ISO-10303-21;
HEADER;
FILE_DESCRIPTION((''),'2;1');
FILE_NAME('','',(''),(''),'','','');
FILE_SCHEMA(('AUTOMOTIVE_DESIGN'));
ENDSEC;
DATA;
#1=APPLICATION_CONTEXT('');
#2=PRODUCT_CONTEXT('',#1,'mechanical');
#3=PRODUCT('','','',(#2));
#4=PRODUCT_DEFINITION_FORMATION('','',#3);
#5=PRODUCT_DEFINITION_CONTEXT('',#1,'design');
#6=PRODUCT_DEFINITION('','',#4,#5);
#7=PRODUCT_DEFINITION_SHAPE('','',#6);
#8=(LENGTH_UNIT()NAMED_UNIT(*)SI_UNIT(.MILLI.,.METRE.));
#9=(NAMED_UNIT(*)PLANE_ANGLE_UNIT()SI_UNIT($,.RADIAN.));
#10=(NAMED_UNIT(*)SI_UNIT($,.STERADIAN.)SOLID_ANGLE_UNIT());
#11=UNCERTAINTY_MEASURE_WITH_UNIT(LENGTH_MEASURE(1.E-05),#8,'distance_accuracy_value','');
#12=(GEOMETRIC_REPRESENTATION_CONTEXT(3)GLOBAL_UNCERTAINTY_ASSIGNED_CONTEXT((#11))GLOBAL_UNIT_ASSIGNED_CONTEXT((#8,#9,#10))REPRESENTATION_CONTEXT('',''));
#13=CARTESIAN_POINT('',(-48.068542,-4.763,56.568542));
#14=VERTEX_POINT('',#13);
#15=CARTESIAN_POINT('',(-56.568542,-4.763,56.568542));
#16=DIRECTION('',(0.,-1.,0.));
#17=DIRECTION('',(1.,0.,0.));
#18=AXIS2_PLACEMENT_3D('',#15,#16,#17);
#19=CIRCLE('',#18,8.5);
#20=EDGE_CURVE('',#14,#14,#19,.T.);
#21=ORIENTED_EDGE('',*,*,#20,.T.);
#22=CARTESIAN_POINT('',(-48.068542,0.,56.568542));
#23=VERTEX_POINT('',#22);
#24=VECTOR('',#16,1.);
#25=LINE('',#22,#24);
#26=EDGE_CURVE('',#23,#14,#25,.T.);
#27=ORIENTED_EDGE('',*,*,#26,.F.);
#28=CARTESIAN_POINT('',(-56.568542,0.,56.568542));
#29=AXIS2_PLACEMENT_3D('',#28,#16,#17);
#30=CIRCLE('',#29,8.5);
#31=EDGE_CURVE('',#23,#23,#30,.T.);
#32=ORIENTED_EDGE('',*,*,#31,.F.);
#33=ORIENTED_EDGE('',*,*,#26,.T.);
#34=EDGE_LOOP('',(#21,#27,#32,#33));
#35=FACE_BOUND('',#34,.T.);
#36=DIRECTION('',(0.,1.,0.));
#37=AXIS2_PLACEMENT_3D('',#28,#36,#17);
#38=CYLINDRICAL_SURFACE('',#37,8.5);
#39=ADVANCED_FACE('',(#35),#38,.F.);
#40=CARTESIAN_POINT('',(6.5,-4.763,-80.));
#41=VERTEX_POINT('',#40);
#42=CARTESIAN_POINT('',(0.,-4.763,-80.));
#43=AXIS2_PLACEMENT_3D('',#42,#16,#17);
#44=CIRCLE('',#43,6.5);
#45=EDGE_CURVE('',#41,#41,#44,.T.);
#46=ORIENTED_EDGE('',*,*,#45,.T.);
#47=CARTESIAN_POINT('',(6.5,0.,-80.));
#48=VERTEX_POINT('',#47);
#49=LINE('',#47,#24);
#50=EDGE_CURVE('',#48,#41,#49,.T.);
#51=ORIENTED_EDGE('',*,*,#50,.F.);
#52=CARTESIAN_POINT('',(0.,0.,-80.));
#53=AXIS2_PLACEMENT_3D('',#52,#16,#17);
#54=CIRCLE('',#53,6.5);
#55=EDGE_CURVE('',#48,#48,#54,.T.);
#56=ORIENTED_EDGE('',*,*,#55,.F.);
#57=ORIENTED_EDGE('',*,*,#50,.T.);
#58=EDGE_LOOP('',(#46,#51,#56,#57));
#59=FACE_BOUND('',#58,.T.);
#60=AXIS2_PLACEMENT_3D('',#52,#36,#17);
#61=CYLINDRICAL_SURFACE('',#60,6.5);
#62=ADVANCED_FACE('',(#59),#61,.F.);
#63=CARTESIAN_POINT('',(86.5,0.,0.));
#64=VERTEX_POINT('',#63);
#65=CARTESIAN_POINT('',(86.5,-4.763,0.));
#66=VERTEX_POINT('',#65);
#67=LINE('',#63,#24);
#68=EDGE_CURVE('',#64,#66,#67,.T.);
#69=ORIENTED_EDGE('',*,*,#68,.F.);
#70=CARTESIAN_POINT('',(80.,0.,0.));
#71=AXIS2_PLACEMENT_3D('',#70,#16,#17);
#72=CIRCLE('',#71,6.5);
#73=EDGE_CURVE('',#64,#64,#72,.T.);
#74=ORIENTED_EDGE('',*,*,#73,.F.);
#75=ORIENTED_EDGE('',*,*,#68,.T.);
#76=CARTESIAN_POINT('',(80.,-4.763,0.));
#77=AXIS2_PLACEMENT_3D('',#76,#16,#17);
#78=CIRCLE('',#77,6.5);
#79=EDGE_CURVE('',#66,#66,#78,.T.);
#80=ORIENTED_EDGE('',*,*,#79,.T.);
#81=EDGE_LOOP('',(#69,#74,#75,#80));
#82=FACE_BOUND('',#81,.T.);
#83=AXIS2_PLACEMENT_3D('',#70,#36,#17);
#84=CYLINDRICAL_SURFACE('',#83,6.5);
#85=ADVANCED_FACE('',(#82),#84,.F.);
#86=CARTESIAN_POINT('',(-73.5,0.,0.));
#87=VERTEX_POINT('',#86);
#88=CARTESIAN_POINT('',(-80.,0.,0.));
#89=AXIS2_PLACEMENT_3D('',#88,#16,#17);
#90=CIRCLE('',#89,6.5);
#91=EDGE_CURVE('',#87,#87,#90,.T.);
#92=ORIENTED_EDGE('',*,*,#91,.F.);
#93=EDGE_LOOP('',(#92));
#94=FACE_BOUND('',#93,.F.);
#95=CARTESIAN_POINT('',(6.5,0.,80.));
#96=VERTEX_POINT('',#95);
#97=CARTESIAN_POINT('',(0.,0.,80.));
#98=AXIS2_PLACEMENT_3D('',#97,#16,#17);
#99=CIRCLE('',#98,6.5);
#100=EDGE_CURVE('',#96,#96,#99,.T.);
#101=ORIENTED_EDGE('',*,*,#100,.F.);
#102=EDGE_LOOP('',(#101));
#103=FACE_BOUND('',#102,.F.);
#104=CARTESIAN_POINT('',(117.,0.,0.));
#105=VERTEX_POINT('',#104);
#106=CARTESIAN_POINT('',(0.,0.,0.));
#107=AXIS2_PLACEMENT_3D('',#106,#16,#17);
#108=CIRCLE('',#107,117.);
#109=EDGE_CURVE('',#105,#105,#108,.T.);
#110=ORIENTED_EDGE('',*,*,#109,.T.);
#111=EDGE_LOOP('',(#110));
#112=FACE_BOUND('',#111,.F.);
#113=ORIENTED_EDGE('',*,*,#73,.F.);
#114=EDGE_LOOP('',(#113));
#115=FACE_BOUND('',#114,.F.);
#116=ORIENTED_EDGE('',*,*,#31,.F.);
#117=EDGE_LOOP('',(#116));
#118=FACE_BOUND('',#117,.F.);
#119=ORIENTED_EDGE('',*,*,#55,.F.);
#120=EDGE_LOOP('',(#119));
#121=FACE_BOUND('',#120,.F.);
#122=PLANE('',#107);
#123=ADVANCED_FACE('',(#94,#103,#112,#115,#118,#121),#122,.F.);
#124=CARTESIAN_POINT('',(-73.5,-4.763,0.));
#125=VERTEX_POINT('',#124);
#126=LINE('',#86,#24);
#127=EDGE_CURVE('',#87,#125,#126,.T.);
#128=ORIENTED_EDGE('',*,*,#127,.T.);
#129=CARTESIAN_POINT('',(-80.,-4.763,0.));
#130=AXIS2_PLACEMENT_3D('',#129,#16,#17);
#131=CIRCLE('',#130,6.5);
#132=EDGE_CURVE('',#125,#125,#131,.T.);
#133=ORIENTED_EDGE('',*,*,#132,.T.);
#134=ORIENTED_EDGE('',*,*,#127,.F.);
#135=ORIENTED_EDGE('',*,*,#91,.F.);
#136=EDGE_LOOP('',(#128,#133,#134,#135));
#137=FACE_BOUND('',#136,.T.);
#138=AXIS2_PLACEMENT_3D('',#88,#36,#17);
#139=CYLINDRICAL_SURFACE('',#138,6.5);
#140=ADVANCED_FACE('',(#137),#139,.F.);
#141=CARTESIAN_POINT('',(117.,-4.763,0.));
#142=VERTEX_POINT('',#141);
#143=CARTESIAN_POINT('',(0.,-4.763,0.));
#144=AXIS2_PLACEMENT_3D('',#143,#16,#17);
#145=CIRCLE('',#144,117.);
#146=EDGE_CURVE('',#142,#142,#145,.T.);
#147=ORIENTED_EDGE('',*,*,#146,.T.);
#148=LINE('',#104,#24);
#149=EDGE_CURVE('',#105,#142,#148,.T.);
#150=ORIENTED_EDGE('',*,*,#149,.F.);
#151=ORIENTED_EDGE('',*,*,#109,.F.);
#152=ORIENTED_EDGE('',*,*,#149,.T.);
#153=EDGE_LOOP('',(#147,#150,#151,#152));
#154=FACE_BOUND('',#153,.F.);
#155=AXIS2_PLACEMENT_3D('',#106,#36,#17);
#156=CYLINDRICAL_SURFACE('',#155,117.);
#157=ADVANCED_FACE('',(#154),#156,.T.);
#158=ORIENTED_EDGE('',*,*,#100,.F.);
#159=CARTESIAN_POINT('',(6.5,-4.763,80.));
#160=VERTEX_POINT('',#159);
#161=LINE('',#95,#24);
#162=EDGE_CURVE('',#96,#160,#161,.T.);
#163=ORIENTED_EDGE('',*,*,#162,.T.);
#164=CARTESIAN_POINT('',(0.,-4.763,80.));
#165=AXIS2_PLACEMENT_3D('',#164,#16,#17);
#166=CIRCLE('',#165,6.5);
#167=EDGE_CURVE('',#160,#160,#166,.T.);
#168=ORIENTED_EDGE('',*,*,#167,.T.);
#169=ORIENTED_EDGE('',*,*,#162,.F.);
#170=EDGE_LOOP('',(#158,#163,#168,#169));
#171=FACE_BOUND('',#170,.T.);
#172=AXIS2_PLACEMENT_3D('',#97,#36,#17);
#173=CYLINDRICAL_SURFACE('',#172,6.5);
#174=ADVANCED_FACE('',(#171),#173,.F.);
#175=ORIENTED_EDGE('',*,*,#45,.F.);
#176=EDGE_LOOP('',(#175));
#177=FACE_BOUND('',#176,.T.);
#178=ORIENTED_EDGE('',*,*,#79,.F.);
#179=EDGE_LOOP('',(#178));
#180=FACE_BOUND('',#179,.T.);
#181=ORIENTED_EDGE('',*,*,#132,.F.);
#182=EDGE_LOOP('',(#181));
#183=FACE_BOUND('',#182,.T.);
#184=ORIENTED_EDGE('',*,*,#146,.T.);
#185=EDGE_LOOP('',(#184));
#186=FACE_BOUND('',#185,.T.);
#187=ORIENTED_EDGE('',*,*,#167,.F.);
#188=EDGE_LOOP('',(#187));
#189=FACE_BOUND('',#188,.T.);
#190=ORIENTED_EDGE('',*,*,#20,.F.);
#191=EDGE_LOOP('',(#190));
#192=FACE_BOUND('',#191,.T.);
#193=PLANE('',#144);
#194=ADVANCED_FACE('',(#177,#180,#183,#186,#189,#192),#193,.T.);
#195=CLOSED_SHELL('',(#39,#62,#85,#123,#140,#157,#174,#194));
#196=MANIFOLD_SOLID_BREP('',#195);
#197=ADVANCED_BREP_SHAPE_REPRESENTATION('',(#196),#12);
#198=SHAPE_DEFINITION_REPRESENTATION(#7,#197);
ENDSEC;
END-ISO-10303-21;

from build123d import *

# Parameters (mm, degrees)
F0_R     = 117
F0_R_2   = 6.5
F0_R_3   = 8.5
F1_DEPTH = 4.763


with BuildPart() as f1:
    # F0 (on Front) → F1 (new body)
    with BuildSketch(Plane.XZ):
        Circle(F0_R)
        with Locations((0, -80)):
            Circle(F0_R_2, mode=Mode.SUBTRACT)
        with Locations((-80, 0)):
            Circle(F0_R_2, mode=Mode.SUBTRACT)
        with Locations((-56.568542, 56.568542)):
            Circle(F0_R_3, mode=Mode.SUBTRACT)
        with Locations((80, 0)):
            Circle(F0_R_2, mode=Mode.SUBTRACT)
        with Locations((0, 80)):
            Circle(F0_R_2, mode=Mode.SUBTRACT)
    extrude(amount=F1_DEPTH)


solid = f1.part
